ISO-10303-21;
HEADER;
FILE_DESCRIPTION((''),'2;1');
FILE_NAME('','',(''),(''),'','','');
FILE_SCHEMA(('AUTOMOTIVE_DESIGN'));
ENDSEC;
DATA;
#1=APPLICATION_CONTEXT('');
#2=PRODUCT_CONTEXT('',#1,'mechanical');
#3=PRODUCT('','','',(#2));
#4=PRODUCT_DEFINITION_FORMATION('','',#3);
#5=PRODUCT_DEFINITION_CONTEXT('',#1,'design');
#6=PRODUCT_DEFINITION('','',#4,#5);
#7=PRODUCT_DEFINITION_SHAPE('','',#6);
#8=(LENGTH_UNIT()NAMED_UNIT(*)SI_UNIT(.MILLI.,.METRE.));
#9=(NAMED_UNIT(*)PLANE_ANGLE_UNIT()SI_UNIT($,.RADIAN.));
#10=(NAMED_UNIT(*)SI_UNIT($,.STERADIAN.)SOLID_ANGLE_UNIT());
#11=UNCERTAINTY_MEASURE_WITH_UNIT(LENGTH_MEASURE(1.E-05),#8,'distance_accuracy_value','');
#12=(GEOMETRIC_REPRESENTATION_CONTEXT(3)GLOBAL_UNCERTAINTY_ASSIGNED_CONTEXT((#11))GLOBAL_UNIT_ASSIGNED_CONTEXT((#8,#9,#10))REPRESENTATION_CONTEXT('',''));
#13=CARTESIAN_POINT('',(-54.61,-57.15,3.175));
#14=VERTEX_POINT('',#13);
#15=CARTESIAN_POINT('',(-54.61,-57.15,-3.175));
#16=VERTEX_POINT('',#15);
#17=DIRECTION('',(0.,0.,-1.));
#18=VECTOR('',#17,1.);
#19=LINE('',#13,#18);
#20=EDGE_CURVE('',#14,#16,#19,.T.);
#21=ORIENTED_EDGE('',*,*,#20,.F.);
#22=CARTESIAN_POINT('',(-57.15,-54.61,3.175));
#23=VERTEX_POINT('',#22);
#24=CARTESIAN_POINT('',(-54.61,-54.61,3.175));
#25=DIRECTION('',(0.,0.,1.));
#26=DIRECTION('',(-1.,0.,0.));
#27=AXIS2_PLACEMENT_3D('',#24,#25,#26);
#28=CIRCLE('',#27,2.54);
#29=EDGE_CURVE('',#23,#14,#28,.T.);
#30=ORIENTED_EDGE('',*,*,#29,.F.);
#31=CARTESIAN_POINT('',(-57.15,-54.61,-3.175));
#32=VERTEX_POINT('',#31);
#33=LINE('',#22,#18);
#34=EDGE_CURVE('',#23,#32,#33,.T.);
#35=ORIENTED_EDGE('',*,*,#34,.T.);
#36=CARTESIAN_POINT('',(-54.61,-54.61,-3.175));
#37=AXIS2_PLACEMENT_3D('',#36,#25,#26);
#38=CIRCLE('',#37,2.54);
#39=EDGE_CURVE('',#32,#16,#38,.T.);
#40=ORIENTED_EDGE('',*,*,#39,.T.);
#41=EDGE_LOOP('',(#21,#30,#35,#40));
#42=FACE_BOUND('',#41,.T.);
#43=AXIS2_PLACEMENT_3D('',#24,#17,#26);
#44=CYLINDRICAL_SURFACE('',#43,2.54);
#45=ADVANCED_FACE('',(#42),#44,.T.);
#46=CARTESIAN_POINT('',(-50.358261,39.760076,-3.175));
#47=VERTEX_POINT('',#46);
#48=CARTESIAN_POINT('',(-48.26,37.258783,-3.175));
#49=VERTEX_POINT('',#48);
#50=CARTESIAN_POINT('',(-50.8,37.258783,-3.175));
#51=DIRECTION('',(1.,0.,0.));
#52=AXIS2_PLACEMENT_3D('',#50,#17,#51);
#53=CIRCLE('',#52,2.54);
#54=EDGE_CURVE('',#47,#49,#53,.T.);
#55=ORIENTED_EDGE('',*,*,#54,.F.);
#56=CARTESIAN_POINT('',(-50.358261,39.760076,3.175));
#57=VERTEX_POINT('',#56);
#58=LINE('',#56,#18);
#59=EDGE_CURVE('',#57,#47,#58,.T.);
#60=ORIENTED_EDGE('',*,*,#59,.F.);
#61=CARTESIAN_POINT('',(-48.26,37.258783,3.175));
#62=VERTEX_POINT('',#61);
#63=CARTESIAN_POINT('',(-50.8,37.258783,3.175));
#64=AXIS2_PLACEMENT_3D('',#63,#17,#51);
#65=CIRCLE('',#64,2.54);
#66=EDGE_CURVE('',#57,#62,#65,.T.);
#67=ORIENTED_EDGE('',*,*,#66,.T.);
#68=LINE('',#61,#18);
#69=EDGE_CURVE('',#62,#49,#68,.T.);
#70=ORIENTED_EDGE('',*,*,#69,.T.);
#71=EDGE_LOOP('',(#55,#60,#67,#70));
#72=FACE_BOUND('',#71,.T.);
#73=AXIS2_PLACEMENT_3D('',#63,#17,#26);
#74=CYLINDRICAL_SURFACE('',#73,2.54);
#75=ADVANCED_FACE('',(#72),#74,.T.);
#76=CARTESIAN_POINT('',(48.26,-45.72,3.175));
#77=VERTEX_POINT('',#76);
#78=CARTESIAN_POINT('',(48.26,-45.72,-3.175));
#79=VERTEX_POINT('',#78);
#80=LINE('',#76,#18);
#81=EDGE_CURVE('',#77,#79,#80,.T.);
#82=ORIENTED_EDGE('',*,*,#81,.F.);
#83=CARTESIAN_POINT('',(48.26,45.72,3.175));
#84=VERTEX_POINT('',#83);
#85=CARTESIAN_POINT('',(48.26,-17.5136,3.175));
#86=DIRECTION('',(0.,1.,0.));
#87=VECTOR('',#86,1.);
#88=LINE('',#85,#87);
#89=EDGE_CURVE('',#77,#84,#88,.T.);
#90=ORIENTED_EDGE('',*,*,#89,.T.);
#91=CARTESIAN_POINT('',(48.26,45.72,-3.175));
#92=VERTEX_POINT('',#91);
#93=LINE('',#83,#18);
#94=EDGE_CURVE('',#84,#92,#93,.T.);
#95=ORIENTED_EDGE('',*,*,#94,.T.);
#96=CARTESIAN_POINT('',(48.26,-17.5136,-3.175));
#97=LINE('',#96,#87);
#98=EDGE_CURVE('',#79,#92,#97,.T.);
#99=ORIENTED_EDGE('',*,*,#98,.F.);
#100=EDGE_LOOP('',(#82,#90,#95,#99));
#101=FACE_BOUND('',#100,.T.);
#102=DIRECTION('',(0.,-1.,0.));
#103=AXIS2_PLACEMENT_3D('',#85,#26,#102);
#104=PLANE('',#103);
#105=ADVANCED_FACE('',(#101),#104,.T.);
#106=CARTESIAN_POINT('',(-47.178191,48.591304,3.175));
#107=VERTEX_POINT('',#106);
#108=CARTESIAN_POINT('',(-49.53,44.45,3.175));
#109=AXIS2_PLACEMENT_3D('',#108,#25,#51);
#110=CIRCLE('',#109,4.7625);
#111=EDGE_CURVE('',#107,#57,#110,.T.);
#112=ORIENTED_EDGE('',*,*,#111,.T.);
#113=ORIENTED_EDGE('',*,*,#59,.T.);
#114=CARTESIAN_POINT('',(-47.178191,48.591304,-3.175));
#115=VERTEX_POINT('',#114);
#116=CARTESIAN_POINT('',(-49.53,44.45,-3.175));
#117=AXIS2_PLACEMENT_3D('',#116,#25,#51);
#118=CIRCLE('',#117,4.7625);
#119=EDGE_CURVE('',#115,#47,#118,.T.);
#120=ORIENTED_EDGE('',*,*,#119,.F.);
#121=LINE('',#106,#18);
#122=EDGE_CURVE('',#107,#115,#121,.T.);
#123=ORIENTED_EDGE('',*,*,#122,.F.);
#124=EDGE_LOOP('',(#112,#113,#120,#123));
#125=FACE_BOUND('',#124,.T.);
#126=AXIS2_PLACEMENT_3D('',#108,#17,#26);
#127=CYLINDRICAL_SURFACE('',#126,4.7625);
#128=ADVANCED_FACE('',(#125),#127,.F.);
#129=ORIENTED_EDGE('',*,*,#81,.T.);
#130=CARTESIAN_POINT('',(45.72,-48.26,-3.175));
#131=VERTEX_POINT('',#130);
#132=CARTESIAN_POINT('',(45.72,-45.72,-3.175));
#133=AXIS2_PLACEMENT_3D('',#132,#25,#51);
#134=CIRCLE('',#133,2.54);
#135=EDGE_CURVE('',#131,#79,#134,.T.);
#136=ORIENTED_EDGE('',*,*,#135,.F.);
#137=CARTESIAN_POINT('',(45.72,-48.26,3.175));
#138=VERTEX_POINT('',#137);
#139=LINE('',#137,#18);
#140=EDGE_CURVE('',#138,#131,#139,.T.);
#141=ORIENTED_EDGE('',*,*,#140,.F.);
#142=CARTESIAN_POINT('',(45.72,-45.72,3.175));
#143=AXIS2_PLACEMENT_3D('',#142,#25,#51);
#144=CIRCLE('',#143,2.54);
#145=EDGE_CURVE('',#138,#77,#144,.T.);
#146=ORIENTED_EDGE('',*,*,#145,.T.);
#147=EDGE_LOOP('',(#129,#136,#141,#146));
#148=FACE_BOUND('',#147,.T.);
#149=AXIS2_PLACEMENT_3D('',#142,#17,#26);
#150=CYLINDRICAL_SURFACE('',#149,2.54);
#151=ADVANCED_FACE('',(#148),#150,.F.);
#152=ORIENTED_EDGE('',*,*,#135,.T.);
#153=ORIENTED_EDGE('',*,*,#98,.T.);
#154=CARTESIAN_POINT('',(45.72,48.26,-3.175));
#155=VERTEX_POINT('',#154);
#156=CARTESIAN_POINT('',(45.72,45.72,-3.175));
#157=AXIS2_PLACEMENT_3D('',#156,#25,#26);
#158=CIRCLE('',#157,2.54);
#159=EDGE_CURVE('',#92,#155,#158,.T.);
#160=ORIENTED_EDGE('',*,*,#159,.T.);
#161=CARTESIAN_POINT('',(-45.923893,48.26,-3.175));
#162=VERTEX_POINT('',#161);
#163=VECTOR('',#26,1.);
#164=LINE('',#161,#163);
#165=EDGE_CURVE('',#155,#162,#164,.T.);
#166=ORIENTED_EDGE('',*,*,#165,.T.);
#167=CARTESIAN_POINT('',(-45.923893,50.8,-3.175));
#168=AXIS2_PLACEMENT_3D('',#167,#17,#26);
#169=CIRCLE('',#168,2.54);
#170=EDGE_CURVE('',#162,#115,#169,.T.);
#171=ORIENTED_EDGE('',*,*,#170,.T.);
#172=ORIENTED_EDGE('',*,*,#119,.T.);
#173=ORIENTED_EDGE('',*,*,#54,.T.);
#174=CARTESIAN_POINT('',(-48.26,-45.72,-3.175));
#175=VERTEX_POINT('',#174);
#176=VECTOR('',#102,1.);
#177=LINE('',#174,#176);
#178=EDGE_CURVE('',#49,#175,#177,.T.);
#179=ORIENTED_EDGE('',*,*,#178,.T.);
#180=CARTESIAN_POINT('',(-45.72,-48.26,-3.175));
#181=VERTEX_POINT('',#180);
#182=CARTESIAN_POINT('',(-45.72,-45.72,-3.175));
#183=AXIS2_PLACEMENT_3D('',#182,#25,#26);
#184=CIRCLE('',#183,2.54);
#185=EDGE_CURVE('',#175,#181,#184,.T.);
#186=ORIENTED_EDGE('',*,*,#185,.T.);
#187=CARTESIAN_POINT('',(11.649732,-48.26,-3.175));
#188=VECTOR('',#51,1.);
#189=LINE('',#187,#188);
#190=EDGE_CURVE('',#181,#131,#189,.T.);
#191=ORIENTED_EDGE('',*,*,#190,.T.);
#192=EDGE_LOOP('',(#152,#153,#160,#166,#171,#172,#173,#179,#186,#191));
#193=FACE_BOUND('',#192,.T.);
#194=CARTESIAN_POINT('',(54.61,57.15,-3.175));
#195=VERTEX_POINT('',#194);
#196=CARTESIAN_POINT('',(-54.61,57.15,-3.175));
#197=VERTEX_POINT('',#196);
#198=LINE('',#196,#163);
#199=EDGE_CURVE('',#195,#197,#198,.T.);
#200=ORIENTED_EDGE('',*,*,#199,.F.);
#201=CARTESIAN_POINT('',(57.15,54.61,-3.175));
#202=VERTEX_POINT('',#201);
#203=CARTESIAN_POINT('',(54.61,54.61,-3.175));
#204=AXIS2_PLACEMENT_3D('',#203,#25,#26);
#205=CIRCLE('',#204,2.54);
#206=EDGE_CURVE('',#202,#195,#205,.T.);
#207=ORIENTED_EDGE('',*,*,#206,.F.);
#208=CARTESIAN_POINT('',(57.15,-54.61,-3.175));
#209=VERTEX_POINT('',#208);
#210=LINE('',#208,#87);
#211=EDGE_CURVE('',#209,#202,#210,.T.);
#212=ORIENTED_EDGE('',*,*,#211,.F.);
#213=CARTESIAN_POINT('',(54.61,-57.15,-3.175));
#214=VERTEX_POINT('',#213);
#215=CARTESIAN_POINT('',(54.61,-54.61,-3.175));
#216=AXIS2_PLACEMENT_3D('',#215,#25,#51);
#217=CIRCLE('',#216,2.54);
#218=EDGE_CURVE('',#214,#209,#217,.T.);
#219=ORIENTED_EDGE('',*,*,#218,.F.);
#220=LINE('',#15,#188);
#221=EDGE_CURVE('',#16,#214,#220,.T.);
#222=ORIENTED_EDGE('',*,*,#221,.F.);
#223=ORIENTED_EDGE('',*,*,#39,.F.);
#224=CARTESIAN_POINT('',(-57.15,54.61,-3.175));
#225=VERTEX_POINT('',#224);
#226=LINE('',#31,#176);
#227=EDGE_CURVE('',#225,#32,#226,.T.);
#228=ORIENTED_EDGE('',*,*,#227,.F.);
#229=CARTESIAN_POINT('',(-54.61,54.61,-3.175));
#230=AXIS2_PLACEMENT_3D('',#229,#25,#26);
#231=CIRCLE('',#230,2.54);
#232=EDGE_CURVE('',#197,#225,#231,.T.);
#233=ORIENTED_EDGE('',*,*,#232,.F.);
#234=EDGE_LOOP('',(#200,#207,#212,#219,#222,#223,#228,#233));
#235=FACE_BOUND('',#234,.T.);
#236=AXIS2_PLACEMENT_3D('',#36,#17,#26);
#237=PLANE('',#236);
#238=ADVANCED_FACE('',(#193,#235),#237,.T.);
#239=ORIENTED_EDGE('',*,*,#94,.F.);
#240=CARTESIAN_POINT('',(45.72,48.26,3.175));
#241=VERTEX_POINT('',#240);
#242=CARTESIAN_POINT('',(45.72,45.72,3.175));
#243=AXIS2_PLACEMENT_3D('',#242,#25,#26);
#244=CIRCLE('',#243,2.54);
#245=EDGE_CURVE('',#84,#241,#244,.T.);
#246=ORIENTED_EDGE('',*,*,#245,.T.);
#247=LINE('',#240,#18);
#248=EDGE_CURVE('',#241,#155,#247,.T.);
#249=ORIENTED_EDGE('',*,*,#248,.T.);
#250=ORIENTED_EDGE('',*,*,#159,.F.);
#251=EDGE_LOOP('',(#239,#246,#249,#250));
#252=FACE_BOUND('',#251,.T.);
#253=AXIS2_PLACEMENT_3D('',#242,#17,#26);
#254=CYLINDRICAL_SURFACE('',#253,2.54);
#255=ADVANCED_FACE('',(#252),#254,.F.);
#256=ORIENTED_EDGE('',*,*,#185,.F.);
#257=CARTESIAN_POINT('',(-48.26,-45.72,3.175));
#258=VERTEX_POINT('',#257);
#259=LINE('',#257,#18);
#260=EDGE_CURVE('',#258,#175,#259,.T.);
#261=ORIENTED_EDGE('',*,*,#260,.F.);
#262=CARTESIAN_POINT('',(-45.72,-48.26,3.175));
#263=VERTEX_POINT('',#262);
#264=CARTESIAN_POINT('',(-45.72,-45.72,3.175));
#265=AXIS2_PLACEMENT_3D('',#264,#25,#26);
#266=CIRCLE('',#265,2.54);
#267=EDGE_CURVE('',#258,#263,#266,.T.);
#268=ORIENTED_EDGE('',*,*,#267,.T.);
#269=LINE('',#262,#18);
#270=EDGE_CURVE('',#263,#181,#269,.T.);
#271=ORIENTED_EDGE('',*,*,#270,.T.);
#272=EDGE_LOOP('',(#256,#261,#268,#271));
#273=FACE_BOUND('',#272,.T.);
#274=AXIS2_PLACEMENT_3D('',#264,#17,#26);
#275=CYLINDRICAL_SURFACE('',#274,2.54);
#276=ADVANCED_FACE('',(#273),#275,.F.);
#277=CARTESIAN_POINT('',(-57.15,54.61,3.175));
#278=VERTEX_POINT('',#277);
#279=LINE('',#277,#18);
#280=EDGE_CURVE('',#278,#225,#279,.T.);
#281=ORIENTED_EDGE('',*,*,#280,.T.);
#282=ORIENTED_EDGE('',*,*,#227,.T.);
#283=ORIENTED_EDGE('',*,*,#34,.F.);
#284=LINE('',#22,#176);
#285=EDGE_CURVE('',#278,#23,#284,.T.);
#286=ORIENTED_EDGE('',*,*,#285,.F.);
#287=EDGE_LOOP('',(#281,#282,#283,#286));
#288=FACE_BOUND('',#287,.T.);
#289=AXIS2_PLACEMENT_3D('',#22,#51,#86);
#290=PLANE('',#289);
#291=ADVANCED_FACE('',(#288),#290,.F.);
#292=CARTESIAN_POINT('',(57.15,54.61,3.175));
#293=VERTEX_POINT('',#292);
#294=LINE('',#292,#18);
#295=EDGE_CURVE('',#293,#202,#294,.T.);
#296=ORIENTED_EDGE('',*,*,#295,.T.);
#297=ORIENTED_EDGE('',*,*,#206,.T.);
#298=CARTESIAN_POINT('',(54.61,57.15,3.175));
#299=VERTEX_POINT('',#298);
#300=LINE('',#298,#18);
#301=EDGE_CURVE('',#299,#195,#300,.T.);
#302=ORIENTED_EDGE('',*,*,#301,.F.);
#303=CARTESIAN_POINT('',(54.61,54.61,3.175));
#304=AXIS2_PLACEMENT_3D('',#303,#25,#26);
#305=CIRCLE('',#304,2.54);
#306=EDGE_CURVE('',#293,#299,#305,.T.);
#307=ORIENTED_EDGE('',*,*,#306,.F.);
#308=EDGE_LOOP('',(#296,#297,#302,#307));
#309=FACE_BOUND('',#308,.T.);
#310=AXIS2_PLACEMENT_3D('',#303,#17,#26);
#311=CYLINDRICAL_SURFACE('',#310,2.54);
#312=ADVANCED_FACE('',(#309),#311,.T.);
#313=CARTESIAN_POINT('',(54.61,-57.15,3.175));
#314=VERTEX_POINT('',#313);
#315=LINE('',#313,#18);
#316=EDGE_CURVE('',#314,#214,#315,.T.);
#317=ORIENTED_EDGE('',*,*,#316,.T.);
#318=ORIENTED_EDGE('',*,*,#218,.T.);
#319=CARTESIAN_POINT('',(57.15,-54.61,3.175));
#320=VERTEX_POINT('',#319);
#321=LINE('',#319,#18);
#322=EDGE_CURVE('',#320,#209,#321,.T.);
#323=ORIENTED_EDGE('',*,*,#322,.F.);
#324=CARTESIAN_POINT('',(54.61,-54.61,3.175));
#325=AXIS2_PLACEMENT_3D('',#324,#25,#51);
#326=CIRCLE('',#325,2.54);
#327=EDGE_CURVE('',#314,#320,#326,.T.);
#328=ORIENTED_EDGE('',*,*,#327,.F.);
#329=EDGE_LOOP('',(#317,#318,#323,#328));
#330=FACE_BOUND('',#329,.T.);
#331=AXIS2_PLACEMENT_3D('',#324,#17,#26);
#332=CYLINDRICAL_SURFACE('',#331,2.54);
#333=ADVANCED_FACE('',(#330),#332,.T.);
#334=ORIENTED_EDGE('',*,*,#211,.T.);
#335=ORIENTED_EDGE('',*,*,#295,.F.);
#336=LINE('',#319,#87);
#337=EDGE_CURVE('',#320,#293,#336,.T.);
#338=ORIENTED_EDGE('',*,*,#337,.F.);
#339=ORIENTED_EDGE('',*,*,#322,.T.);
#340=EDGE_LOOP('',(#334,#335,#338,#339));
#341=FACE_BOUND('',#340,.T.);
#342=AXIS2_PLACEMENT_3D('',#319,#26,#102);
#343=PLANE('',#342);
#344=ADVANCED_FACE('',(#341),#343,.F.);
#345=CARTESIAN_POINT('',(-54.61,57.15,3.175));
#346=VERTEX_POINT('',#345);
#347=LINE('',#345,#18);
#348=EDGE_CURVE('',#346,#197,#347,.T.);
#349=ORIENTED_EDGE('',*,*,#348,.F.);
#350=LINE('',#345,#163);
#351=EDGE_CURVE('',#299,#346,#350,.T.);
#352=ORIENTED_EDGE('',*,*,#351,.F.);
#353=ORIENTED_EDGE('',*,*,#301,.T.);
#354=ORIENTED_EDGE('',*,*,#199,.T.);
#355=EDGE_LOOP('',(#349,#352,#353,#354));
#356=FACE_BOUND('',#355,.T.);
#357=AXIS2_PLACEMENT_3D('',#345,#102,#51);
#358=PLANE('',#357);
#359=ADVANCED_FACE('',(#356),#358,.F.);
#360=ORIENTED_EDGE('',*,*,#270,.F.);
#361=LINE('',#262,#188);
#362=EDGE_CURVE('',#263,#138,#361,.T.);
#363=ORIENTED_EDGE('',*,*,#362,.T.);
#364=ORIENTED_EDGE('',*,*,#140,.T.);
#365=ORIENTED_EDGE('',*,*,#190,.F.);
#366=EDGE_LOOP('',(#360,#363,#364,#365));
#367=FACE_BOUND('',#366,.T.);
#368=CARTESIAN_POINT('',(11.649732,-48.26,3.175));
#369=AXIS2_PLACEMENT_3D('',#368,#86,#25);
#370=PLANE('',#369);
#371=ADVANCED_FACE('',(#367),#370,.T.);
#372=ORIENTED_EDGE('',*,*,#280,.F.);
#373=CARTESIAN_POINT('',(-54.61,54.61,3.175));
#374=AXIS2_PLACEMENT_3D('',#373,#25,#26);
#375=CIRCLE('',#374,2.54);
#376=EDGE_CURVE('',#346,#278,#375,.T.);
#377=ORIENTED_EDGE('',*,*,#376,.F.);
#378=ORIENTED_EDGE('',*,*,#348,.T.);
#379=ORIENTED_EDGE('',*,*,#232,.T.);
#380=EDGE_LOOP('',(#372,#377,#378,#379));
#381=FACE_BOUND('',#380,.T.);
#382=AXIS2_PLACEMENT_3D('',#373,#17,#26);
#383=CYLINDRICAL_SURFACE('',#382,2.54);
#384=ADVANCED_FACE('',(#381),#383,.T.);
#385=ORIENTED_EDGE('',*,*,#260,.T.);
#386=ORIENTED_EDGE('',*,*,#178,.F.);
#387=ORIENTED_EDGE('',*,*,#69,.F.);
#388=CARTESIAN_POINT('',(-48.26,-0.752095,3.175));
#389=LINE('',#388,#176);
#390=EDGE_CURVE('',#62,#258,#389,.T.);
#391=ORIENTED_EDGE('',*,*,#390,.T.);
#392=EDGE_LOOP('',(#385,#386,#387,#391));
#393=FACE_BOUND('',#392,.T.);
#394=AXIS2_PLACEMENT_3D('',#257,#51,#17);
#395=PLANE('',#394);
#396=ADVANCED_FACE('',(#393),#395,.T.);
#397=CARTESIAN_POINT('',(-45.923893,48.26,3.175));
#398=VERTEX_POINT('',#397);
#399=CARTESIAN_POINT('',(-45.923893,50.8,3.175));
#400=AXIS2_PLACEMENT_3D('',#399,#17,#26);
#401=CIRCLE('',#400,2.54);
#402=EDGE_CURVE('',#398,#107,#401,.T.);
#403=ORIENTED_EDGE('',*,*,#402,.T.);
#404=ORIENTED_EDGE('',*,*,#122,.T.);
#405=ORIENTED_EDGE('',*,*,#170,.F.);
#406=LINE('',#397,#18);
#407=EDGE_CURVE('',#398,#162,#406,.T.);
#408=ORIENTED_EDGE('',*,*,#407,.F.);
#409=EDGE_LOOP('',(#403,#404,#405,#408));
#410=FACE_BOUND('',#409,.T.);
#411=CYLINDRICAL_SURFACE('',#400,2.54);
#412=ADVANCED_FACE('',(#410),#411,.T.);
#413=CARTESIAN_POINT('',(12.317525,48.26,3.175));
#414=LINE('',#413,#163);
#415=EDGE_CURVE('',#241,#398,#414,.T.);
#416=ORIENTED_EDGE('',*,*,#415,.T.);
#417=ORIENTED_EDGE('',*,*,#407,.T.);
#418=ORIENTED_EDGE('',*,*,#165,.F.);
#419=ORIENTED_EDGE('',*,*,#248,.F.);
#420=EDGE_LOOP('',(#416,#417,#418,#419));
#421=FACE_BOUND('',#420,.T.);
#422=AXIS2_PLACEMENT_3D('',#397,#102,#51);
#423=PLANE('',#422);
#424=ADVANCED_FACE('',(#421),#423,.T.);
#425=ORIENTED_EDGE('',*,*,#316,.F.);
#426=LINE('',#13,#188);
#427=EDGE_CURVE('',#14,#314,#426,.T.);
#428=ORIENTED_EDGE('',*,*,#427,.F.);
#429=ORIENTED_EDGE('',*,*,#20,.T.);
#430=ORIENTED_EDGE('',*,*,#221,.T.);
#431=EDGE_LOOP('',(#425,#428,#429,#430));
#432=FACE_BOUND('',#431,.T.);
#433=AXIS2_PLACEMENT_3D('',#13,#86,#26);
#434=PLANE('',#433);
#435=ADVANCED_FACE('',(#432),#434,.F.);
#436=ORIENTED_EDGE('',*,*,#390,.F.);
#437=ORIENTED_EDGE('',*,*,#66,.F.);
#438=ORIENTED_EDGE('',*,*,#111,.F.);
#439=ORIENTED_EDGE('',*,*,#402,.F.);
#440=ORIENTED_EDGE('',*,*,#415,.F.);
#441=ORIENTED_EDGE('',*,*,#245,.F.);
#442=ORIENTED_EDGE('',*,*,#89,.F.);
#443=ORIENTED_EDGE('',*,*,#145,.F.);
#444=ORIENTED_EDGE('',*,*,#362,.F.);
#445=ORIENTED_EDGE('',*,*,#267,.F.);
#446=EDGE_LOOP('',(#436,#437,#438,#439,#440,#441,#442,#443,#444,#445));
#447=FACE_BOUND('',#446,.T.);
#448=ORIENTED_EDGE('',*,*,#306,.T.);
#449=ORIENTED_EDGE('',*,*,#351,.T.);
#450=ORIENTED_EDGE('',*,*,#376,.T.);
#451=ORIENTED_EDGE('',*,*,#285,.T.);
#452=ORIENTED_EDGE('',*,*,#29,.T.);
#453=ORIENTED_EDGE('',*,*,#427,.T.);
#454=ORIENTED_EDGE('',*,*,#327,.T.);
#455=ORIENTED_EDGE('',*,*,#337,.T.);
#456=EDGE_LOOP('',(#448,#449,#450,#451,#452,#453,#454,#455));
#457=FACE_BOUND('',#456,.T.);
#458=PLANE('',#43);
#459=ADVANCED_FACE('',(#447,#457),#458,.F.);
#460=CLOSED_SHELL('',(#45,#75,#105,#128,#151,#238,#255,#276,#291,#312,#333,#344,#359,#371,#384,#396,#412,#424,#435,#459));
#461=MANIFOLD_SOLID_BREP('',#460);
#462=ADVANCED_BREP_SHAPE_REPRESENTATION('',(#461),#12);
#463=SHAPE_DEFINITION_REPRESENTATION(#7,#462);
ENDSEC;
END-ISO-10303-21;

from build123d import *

# Parameters (mm, degrees)
BOSS_EXTRUDE1_DEPTH = 3.175


with BuildPart() as part:
    # Sketch1 → Boss-Extrude1 (new, symmetric)
    with BuildSketch(Plane.XY):
        with BuildLine():
            Line((-54.61, -57.15), (54.61, -57.15))
            ThreePointArc((54.61, -57.15), (56.406051224, -56.406051224), (57.15, -54.61))
            Line((57.15, -54.61), (57.15, 54.61))
            ThreePointArc((57.15, 54.61), (56.406051224, 56.406051224), (54.61, 57.15))
            Line((54.61, 57.15), (-54.61, 57.15))
            ThreePointArc((-54.61, 57.15), (-56.406051224, 56.406051224), (-57.15, 54.61))
            Line((-57.15, 54.61), (-57.15, -54.61))
            ThreePointArc((-57.15, -54.61), (-56.406051224, -56.406051224), (-54.61, -57.15))
        make_face()
        with BuildLine():
            Line((-45.72, -48.26), (11.649731947, -48.26))
            Line((11.649731947, -48.26), (45.72, -48.26))
            ThreePointArc((45.72, -48.26), (47.516051224, -47.516051224), (48.26, -45.72))
            Line((48.26, -45.72), (48.26, -17.513600374))
            Line((48.26, -17.513600374), (48.26, 45.72))
            ThreePointArc((48.26, 45.72), (47.516051224, 47.516051224), (45.72, 48.26))
            Line((45.72, 48.26), (12.317525133, 48.26))
            Line((12.317525133, 48.26), (-45.9238932, 48.26))
            ThreePointArc((-45.9238932, 48.26), (-46.572550677, 48.344222429), (-47.178191218, 48.591304348))
            ThreePointArc((-47.178191218, 48.591304348), (-54.010842502, 46.063523076), (-50.35826087, 39.760075674))
            ThreePointArc((-50.35826087, 39.760075674), (-48.854027571, 38.891201551), (-48.26, 37.2587827))
            Line((-48.26, 37.2587827), (-48.26, -0.752095073))
            Line((-48.26, -0.752095073), (-48.26, -45.72))
            ThreePointArc((-48.26, -45.72), (-47.516051224, -47.516051224), (-45.72, -48.26))
        make_face(mode=Mode.SUBTRACT)
    extrude(amount=BOSS_EXTRUDE1_DEPTH, both=True)


solid = part.part
